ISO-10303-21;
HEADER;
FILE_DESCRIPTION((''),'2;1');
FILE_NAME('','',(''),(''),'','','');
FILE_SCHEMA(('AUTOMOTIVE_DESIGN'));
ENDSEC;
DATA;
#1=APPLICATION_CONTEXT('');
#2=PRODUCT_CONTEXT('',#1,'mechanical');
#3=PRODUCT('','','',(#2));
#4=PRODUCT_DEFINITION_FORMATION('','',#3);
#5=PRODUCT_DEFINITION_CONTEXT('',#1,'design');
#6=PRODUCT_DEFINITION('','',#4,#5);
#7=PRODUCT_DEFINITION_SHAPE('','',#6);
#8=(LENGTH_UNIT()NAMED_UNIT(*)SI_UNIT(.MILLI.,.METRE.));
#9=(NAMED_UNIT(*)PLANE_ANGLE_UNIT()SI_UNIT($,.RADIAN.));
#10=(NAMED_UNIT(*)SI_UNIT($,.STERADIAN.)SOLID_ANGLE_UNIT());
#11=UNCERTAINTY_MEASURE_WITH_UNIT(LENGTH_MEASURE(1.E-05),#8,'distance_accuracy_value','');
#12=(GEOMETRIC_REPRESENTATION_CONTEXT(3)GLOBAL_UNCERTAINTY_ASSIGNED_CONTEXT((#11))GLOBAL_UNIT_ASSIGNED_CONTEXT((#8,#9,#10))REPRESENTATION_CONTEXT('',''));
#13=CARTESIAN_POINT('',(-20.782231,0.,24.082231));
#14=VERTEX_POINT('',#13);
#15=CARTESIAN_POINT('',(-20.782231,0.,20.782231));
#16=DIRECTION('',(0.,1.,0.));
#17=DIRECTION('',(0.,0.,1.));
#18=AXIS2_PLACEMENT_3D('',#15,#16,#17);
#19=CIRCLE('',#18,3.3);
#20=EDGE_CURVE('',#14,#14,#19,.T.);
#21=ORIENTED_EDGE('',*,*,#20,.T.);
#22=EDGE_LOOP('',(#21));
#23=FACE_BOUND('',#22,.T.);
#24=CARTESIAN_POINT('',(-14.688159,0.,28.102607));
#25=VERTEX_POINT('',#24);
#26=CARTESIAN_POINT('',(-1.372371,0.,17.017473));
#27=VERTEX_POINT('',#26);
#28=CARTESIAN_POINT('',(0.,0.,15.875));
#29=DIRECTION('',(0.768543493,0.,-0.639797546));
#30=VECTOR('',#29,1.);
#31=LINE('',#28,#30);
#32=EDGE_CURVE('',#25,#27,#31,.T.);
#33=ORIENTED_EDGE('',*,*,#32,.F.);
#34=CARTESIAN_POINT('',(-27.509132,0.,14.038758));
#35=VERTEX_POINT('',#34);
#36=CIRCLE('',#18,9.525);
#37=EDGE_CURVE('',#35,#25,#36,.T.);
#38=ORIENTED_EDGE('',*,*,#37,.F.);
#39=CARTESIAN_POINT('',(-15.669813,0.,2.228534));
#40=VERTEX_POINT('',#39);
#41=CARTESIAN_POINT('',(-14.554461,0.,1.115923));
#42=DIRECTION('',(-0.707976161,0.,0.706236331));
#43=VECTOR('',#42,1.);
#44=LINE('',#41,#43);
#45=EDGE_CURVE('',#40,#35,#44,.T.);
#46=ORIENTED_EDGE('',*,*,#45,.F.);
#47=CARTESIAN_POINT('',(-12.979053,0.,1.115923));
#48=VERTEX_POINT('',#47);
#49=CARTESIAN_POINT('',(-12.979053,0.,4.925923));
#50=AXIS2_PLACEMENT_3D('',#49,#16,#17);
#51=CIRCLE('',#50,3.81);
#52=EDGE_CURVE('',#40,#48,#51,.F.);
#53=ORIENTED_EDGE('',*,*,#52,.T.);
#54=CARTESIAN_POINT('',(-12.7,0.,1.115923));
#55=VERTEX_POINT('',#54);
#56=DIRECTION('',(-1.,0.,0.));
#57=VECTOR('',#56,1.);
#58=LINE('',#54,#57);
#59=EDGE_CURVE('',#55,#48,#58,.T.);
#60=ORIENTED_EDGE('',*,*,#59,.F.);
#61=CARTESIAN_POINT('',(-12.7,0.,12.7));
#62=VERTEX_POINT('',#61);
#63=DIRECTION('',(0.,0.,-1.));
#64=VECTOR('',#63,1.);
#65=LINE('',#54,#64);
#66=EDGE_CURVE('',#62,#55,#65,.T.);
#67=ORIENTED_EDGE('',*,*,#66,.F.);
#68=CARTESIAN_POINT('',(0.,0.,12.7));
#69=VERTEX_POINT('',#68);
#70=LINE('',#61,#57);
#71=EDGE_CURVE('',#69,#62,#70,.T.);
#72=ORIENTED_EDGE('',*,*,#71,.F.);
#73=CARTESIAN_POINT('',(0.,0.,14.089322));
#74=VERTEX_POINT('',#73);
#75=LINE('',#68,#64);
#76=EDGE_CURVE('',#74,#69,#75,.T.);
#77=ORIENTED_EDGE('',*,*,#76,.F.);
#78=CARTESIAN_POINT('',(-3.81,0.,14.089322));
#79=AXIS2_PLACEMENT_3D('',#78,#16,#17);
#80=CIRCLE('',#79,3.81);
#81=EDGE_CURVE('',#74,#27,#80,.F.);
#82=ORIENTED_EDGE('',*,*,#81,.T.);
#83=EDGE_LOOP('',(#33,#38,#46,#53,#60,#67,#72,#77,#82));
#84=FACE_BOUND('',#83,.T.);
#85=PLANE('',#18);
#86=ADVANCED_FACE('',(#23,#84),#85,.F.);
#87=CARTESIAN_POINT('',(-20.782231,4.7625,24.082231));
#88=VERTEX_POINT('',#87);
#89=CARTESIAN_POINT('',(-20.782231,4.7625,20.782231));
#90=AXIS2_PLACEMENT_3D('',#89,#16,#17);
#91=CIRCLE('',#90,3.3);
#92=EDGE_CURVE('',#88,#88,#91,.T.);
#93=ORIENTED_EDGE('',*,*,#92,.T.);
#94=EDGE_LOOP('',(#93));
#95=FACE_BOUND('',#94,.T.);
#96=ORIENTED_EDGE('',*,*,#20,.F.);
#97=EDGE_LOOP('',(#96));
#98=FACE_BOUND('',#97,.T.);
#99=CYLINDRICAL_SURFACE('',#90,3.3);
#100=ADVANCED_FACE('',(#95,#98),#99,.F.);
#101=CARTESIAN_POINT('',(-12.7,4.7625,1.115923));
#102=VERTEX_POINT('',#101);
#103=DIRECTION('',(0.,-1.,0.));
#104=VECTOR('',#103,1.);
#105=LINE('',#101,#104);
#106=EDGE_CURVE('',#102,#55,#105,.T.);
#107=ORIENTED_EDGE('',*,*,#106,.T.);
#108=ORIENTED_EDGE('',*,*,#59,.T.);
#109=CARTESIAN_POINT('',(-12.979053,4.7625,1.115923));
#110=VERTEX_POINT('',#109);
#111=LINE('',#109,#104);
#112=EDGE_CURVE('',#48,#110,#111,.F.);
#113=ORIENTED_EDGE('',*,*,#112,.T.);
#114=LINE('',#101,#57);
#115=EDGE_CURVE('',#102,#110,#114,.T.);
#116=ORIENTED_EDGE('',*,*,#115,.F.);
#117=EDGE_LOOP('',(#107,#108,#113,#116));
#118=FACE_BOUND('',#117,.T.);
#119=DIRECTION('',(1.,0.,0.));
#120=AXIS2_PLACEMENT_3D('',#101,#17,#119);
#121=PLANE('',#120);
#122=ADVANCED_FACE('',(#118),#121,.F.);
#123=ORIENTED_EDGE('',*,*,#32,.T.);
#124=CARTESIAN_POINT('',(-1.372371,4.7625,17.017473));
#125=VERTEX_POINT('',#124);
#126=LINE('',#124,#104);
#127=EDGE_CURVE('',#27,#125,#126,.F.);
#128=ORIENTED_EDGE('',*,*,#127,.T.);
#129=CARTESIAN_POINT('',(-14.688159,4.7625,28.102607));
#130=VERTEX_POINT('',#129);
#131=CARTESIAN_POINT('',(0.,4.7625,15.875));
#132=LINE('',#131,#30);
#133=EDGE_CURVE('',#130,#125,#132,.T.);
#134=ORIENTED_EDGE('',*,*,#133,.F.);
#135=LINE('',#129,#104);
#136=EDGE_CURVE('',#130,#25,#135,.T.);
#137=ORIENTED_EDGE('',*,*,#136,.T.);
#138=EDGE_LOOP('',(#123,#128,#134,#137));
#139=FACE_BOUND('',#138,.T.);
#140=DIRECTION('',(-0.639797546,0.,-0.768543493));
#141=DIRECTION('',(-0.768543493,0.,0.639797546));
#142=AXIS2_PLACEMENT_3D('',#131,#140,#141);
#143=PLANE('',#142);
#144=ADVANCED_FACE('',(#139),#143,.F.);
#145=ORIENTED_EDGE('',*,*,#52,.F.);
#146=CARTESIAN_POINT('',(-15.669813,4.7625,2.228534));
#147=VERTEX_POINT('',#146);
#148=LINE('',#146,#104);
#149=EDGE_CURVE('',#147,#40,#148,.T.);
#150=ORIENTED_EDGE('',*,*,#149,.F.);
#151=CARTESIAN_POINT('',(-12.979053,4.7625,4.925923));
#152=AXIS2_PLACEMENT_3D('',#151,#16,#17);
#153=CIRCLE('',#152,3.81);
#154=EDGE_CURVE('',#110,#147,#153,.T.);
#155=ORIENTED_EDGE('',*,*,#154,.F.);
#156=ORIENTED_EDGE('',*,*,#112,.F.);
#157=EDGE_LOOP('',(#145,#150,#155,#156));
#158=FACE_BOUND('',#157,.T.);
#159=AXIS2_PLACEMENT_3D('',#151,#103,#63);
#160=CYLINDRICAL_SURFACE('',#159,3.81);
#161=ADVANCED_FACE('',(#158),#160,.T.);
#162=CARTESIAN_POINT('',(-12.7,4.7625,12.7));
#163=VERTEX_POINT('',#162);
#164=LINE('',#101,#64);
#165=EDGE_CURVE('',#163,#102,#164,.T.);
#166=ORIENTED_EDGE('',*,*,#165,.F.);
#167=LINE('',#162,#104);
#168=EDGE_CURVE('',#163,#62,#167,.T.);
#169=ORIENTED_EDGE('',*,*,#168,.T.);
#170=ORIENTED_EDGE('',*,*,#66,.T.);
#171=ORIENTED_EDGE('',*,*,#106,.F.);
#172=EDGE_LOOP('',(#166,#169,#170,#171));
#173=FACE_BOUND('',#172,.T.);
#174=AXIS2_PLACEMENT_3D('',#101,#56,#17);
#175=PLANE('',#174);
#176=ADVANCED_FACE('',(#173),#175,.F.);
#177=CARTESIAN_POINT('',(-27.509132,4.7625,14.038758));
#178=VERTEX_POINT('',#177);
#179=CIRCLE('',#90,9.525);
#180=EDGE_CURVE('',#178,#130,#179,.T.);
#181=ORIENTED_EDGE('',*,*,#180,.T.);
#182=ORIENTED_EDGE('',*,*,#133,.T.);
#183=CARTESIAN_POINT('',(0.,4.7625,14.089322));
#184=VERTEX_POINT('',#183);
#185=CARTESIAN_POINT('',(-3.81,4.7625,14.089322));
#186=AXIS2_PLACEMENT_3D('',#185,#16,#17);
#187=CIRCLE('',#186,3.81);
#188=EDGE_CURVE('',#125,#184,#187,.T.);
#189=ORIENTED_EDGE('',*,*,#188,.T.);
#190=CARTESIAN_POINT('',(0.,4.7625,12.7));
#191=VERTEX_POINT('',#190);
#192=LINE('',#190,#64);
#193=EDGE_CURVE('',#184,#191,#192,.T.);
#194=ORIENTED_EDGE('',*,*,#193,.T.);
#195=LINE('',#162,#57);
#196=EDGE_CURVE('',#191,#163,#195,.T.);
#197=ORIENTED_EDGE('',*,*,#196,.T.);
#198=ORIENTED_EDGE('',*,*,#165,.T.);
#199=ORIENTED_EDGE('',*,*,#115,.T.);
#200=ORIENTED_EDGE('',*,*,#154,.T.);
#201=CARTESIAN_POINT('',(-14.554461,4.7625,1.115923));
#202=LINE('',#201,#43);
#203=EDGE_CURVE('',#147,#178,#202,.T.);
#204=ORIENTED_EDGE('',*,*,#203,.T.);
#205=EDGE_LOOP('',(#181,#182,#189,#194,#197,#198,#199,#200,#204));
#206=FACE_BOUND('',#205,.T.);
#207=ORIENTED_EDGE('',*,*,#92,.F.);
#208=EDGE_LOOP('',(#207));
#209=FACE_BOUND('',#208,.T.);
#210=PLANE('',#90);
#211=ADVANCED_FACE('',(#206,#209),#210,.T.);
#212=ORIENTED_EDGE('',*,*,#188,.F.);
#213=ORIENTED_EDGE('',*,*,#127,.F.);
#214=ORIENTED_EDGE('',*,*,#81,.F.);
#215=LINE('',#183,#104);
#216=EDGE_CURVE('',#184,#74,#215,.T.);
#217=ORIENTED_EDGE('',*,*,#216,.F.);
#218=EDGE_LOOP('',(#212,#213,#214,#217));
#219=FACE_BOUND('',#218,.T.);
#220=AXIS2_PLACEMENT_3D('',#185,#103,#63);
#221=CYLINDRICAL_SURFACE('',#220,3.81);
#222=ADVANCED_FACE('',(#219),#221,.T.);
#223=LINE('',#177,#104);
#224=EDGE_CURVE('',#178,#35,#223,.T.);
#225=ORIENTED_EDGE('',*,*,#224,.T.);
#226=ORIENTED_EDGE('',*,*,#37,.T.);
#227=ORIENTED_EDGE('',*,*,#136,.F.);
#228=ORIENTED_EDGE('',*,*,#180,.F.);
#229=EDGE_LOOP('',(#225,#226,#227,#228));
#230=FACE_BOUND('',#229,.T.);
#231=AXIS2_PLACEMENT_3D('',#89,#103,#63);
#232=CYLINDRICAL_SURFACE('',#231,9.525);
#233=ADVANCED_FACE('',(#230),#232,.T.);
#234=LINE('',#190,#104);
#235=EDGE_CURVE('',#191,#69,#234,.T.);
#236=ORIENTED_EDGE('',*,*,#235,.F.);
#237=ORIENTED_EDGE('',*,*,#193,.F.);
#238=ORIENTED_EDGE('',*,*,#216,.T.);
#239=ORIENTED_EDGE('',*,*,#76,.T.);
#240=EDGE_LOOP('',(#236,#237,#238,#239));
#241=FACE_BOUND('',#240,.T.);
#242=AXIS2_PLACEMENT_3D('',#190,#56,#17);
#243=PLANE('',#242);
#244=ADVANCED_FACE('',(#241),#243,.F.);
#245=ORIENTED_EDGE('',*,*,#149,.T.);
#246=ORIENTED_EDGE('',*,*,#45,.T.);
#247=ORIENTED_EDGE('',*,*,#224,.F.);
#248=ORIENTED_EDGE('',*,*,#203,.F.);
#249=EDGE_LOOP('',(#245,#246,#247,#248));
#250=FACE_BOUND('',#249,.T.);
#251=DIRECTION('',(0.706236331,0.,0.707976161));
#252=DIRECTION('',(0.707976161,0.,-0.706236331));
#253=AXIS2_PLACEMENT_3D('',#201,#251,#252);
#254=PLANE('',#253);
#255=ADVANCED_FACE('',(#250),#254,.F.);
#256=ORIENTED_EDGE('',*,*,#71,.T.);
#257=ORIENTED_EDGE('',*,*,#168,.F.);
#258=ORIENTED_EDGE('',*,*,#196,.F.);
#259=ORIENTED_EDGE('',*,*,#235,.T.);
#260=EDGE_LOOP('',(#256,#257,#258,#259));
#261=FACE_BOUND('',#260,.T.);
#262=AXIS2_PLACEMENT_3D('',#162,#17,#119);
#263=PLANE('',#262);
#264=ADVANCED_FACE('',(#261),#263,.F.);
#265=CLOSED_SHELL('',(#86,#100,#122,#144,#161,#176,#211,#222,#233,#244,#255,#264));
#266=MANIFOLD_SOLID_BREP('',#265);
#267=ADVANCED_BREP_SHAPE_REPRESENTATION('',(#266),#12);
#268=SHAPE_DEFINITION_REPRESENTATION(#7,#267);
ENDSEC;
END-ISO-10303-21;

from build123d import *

# Parameters (mm, degrees)
BOSS_EXTRUDE2_DEPTH  = 4.7625
FILLET3_R            = 3.81
M6_CLEARANCE_HOLE3_D = 6.6


with BuildPart() as part:
    # Sketch4 → Boss-Extrude2 (new body)
    with BuildSketch(Plane(origin=(0, 0, 0), x_dir=(1, 0, 0), z_dir=(0, 1, 0))):
        with BuildLine():
            Line((-12.7, -1.115923164), (-12.7, -12.7))
            Line((-12.7, -12.7), (0, -12.7))
            Line((0, -12.7), (0, -15.875))
            Line((0, -15.875), (-14.688158885, -28.102607278))
            ThreePointArc((-14.688158885, -28.102607278), (-27.8212706, -27.199203284), (-27.509131561, -14.038757574))
            Line((-27.509131561, -14.038757574), (-14.554461437, -1.115923164))
            Line((-14.554461437, -1.115923164), (-12.7, -1.115923164))
        make_face()
    extrude(amount=BOSS_EXTRUDE2_DEPTH)

    # Fillet3
    fillet3_edges = [part.edges().sort_by_distance(p)[0] for p in [
        (0, 2.38125, 15.875),
        (-14.554461437, 2.38125, 1.115923164),
    ]]
    fillet(fillet3_edges, radius=FILLET3_R)

    # M6 Clearance Hole3 (through all)
    with Locations(Plane(origin=(0, 4.7625, 0), x_dir=(1, 0, 0), z_dir=(0, 1, 0))):
        with Locations((-20.782230509, -20.782230509)):
            Hole(M6_CLEARANCE_HOLE3_D / 2)


solid = part.part
